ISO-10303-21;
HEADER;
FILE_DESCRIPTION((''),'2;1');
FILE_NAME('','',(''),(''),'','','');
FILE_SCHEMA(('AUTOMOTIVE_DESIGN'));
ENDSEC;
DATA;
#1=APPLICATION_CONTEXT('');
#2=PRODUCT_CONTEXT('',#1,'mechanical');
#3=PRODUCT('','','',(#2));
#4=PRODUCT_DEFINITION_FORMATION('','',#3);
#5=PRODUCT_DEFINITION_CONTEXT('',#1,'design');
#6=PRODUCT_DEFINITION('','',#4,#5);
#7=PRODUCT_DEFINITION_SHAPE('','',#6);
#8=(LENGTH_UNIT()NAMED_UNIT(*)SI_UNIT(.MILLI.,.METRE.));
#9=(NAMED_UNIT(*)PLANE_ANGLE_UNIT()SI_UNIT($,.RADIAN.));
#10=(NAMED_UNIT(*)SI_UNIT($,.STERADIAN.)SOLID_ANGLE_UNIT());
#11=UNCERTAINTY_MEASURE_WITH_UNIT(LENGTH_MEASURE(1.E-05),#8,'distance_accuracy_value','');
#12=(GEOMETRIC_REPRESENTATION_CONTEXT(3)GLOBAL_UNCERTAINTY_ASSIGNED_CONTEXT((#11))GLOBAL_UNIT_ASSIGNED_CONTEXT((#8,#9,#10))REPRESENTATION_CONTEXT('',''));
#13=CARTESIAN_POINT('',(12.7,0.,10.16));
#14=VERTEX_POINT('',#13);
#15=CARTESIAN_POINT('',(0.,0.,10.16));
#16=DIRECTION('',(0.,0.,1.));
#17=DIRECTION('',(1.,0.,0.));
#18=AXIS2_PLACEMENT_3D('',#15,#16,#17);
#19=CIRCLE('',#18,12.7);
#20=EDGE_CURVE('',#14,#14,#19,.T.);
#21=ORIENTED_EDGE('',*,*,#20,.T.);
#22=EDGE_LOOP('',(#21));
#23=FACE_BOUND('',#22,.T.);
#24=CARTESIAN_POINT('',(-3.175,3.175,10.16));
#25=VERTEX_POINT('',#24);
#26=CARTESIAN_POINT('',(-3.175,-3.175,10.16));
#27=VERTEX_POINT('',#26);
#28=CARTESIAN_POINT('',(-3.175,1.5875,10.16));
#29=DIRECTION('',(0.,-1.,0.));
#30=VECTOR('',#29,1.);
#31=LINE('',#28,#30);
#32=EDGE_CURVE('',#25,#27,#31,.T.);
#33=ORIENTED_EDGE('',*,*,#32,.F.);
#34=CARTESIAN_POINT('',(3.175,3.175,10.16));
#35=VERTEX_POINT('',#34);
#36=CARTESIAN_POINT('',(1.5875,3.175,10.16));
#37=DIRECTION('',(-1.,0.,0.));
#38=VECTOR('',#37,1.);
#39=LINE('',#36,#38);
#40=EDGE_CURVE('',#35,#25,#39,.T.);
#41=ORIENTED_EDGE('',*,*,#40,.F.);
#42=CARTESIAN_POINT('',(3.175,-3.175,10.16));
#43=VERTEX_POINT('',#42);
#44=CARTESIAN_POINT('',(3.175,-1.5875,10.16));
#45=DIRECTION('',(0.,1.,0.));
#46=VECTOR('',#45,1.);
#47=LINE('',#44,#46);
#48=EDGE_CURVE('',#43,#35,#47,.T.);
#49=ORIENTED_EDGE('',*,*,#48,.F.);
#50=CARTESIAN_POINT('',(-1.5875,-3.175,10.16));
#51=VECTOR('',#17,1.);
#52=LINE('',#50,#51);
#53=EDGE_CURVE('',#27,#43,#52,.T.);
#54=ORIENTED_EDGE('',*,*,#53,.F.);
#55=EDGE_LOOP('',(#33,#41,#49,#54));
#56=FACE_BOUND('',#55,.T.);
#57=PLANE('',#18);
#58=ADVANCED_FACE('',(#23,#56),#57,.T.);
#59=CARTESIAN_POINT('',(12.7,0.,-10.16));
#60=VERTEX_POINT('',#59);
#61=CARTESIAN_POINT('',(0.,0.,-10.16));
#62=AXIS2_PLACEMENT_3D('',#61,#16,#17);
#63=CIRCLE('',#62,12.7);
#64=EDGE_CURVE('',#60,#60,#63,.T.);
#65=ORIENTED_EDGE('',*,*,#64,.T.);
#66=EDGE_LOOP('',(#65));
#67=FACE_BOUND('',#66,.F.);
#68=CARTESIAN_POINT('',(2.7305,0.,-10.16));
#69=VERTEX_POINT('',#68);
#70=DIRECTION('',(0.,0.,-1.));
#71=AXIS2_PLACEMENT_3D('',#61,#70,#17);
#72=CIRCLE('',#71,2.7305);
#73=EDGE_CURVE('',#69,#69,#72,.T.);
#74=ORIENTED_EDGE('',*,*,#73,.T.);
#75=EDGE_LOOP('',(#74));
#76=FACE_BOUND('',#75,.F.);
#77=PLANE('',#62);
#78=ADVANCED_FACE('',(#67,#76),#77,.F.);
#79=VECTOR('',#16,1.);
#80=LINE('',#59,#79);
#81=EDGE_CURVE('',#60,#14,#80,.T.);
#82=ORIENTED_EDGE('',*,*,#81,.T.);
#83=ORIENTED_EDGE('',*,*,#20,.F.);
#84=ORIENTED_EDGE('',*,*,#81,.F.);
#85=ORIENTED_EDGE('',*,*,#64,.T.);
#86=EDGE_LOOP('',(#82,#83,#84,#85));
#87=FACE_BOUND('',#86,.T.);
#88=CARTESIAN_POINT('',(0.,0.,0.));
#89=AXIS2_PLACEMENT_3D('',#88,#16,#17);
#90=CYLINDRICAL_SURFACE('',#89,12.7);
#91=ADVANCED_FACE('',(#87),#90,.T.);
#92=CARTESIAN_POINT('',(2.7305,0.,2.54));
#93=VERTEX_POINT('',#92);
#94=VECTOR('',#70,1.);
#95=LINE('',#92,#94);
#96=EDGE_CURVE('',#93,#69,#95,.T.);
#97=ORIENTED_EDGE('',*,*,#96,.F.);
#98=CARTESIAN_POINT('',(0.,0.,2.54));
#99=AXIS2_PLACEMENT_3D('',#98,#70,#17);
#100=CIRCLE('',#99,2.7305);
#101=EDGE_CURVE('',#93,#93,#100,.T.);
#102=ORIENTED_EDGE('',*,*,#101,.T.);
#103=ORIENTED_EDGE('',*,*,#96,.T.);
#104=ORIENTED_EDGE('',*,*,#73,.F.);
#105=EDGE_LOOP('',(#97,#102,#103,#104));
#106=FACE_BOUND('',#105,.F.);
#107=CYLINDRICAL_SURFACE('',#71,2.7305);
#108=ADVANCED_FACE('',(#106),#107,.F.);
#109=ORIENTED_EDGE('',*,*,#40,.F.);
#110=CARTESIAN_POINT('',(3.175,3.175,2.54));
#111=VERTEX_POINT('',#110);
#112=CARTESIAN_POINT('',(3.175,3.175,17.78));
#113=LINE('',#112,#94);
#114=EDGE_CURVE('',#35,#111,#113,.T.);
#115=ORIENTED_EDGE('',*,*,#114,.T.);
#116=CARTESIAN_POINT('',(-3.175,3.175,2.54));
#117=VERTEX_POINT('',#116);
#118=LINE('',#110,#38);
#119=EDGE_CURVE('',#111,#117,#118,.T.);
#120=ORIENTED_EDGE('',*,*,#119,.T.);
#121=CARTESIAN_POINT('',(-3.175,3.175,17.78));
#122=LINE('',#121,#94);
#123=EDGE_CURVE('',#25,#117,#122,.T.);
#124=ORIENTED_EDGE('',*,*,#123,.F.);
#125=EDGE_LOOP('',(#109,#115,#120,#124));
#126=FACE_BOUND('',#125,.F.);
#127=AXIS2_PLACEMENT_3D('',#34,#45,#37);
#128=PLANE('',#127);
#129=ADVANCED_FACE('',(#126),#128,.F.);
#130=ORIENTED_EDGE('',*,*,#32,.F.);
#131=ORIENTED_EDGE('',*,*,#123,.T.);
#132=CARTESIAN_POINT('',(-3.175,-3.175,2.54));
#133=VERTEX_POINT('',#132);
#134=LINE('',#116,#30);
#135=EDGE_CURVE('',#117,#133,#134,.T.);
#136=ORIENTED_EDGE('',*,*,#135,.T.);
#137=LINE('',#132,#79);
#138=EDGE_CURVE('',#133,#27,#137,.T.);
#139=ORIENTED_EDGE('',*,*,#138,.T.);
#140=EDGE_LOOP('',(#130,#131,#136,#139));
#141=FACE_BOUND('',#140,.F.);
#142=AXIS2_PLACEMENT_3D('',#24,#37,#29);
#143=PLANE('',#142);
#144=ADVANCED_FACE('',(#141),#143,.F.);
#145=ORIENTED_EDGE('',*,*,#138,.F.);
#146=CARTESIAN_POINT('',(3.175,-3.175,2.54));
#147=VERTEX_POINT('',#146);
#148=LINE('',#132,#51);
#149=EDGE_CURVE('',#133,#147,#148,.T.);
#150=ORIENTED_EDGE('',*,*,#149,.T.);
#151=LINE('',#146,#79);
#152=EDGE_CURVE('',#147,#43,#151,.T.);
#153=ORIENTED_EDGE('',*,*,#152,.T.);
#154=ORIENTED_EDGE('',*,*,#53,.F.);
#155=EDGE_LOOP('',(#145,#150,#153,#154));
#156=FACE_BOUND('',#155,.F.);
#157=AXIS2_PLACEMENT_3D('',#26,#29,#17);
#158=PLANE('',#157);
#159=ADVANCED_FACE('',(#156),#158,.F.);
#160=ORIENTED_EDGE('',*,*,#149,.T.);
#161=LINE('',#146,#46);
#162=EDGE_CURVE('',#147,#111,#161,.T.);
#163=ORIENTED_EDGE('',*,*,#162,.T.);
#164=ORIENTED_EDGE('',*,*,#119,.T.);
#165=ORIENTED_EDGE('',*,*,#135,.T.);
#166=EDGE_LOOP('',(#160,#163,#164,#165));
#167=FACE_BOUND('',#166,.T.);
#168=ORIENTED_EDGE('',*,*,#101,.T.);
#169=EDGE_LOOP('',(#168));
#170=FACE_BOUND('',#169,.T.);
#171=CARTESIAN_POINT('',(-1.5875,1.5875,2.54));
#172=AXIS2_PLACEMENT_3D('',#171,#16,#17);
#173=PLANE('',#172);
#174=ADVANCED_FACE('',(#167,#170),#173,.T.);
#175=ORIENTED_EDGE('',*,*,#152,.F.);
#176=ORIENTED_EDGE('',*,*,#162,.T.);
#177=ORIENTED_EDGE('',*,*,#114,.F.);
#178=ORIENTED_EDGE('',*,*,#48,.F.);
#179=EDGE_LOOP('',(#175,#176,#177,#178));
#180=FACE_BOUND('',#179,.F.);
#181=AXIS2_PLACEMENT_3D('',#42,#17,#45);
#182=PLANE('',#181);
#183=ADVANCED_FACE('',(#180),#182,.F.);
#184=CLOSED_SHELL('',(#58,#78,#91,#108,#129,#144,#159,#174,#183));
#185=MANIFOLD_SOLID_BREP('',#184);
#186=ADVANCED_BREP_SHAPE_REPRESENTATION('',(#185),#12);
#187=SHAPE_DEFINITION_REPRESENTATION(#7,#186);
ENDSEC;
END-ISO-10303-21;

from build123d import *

# Parameters (mm, degrees)
F0_R     = 12.7
F1_DEPTH = 10.16
F2_W     = 3.175
F2_H     = 3.175
F3_DEPTH = 7.62
F4_R     = 2.7305
F5_DEPTH = 12.7


with BuildPart() as f1:
    # F0 (on Top) → F1 (new body, symmetric)
    with BuildSketch(Plane.XY):
        Circle(F0_R)
    extrude(amount=F1_DEPTH, both=True)

    # F2 (on face) → F3 (cut, symmetric)
    with BuildSketch(Plane.XY.offset(10.16)):
        with Locations((-1.5875, 1.5875)):
            Rectangle(F2_W, F2_H)
        with Locations((1.5875, 1.5875)):
            Rectangle(F2_W, F2_H)
        with Locations((-1.5875, -1.5875)):
            Rectangle(F2_W, F2_H)
        with Locations((1.5875, -1.5875)):
            Rectangle(F2_W, F2_H)
    extrude(amount=F3_DEPTH, both=True, mode=Mode.SUBTRACT)

    # F4 (on face) → F5 (cut, symmetric)
    with BuildSketch(Plane(origin=(0, 0, -10.16), x_dir=(1, 0, 0), z_dir=(0, 0, -1))):
        Circle(F4_R)
    extrude(amount=F5_DEPTH, both=True, mode=Mode.SUBTRACT)


solid = f1.part
